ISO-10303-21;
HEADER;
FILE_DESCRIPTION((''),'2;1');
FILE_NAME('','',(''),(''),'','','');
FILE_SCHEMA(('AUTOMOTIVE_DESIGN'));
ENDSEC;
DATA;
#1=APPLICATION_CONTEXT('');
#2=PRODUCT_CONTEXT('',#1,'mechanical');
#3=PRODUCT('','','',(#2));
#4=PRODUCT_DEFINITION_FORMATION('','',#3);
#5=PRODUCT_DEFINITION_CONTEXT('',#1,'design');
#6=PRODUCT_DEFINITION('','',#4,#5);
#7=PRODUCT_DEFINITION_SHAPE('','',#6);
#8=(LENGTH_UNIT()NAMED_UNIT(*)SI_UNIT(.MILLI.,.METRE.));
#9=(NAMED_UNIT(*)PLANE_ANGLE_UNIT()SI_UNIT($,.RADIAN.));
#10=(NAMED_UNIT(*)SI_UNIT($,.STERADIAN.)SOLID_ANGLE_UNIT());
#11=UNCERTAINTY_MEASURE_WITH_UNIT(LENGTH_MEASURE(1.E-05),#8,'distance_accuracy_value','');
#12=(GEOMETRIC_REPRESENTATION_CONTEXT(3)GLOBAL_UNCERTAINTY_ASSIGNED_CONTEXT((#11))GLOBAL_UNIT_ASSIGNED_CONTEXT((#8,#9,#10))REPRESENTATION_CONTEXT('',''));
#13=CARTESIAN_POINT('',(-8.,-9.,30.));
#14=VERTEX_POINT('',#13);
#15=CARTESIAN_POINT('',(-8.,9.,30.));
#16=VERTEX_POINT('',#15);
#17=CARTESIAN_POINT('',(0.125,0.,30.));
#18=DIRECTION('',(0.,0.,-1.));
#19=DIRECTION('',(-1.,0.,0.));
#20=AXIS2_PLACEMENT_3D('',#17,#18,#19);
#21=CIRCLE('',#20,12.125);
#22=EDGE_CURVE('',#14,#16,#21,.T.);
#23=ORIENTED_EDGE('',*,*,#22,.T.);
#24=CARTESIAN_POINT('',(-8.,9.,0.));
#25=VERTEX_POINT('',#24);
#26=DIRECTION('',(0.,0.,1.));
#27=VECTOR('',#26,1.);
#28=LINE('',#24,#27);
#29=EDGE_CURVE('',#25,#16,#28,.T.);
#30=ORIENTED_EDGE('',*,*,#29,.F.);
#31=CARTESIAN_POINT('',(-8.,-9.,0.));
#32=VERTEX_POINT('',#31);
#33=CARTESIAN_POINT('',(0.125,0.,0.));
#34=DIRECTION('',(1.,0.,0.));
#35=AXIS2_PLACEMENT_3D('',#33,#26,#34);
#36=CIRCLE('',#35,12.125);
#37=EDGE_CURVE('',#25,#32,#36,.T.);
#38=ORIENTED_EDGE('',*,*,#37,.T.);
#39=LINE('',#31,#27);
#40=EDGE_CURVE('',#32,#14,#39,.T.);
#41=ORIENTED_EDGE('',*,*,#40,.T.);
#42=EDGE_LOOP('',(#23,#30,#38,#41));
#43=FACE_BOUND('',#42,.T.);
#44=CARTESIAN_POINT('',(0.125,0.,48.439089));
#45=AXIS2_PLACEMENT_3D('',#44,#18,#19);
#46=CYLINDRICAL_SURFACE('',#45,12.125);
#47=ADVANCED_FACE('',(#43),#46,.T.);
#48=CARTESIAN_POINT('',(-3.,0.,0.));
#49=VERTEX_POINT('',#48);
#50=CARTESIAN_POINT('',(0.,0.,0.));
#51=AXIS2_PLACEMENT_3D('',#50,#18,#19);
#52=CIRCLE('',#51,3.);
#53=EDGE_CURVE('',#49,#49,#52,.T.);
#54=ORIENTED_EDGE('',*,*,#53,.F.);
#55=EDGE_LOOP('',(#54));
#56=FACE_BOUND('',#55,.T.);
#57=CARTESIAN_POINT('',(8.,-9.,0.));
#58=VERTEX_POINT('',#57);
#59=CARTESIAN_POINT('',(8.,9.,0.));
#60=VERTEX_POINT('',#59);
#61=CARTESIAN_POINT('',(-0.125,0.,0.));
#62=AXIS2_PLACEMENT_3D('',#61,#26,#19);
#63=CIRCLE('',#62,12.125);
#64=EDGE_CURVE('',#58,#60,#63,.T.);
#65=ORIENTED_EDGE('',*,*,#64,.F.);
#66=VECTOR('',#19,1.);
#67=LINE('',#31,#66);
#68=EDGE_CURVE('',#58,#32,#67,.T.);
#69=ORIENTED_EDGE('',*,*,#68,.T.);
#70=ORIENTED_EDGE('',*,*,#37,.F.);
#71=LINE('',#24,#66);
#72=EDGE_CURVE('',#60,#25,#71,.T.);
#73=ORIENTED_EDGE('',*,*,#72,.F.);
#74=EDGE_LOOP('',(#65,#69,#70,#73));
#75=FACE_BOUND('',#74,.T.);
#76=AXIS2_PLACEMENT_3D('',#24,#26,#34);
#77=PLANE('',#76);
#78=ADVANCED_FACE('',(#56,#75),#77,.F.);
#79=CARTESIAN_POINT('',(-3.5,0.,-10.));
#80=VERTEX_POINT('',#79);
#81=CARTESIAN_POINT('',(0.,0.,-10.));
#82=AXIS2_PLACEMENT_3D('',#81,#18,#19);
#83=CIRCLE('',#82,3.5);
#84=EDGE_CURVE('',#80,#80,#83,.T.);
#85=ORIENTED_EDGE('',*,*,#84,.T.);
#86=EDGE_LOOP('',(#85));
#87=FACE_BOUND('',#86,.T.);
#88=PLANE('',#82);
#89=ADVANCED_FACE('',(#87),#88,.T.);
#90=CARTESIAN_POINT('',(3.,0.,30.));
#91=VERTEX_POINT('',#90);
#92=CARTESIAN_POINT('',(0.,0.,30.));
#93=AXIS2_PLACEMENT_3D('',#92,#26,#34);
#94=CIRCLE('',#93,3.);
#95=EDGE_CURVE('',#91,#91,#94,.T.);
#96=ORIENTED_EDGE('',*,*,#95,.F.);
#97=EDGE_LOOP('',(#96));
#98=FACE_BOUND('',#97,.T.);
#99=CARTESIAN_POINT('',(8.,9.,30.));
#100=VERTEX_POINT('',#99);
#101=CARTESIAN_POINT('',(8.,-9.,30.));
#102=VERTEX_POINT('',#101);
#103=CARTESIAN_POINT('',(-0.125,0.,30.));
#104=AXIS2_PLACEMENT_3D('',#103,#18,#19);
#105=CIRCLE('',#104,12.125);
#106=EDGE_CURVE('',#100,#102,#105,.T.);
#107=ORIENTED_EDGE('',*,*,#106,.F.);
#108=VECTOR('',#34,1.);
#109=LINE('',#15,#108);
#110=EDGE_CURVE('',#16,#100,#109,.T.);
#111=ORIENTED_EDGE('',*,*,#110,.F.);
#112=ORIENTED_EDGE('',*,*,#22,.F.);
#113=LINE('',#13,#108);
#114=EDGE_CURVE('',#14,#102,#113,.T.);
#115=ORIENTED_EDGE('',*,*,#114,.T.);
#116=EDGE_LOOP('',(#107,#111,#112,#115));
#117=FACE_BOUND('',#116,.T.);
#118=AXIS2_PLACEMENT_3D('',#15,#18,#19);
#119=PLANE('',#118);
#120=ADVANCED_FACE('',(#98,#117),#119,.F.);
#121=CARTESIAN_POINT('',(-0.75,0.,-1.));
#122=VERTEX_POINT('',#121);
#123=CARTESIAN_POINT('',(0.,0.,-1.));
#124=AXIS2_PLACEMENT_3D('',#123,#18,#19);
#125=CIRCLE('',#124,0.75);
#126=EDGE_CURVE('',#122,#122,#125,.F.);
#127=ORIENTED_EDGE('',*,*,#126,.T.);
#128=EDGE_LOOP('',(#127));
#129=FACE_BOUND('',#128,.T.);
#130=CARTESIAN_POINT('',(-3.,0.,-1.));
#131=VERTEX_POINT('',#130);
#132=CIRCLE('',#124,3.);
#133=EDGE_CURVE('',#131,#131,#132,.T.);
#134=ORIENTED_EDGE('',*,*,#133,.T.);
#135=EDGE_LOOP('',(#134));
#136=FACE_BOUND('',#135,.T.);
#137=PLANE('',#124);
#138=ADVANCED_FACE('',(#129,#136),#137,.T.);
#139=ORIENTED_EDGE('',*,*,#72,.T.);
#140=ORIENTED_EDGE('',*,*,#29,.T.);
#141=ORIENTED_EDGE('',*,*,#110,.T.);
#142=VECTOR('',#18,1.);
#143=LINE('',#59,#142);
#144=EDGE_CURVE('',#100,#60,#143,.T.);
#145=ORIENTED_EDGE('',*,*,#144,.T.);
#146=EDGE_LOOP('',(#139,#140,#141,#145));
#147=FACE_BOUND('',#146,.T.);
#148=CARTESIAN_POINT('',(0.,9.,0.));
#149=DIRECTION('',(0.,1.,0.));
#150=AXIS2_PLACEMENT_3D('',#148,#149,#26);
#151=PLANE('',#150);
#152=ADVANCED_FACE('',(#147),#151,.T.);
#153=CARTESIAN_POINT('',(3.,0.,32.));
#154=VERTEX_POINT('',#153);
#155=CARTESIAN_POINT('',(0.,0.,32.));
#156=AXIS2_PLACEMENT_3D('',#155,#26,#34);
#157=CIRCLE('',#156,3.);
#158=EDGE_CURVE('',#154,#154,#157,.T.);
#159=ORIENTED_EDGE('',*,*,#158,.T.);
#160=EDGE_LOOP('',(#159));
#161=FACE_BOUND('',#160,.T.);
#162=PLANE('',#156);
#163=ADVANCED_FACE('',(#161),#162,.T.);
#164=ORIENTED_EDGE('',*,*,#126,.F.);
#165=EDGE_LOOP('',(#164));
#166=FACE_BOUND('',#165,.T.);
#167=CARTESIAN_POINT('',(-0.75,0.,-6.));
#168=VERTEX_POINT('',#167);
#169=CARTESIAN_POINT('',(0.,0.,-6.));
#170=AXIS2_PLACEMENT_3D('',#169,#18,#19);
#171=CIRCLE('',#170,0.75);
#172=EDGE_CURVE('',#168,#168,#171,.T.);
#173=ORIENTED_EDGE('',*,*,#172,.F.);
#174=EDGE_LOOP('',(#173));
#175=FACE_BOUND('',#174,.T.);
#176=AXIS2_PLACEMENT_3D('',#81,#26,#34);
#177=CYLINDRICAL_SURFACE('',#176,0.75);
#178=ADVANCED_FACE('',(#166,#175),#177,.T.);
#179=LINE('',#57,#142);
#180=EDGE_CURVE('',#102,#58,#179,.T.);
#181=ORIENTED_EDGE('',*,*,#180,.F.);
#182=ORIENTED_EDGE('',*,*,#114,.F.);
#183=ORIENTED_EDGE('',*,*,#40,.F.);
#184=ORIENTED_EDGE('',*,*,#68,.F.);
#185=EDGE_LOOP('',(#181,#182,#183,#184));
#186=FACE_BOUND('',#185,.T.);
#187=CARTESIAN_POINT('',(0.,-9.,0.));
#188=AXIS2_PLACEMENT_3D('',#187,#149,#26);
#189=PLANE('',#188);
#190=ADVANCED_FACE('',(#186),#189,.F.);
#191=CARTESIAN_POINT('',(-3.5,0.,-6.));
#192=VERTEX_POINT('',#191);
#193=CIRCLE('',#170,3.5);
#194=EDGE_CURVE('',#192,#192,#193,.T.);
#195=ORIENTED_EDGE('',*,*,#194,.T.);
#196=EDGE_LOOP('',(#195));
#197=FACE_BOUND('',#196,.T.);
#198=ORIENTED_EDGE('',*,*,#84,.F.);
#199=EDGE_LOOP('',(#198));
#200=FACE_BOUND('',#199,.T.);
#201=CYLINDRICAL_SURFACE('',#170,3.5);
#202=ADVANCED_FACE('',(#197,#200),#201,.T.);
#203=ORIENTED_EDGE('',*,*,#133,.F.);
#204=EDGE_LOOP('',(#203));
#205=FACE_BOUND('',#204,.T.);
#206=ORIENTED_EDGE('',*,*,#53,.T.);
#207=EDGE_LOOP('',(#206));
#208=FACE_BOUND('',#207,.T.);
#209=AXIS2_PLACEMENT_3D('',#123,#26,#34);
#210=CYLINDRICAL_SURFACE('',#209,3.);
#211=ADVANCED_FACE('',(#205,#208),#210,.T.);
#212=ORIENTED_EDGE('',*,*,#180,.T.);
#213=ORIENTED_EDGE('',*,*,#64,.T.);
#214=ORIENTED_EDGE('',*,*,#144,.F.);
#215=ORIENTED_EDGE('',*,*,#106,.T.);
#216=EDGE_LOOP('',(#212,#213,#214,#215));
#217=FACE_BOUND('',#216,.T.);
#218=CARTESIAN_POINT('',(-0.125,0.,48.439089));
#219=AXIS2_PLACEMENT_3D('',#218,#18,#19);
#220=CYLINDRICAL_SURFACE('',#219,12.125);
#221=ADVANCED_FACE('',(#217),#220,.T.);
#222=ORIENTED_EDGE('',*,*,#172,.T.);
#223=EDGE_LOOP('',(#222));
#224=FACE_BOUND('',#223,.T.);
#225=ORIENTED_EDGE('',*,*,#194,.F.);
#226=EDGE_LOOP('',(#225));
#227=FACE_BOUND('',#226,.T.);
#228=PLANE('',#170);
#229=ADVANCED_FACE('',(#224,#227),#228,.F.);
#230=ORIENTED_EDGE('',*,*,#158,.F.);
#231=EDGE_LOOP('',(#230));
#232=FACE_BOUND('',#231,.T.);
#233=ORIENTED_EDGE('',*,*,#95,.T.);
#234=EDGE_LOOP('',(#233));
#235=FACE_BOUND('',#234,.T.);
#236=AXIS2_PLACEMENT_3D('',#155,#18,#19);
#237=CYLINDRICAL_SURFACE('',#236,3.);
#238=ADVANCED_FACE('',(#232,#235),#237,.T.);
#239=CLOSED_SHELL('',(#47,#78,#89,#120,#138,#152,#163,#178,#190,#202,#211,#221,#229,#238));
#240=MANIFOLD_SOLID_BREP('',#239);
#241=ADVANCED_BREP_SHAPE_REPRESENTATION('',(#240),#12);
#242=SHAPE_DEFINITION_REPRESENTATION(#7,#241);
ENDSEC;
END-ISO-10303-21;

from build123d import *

# Parameters (mm, degrees)
SKETCH1_W           = 16
SKETCH1_H           = 30
BOSS_EXTRUDE1_DEPTH = 9
SKETCH2_R           = 3
BOSS_EXTRUDE2_DEPTH = 1
SKETCH3_R           = 3
BOSS_EXTRUDE3_DEPTH = 2
BOSS_EXTRUDE4_DEPTH = 30
SKETCH6_R           = 0.75
BOSS_EXTRUDE5_DEPTH = 10
SKETCH7_R           = 3.5
BOSS_EXTRUDE6_DEPTH = 4


with BuildPart() as part:
    # Sketch1 → Boss-Extrude1 (new body, symmetric)
    with BuildSketch(Plane(origin=(0, 0, 0), x_dir=(1, 0, 0), z_dir=(0, 1, 0))):
        with Locations((0, -15)):
            Rectangle(SKETCH1_W, SKETCH1_H)
    extrude(amount=BOSS_EXTRUDE1_DEPTH, both=True)

    # Sketch2 → Boss-Extrude2 (add)
    with BuildSketch(Plane(origin=(0, 0, 0), x_dir=(-1, 0, 0), z_dir=(0, 0, -1))):
        Circle(SKETCH2_R)
    extrude(amount=BOSS_EXTRUDE2_DEPTH)

    # Sketch3 → Boss-Extrude3 (add)
    with BuildSketch(Plane.XY.offset(30)):
        Circle(SKETCH3_R)
    extrude(amount=BOSS_EXTRUDE3_DEPTH)

    # Sketch5 → Boss-Extrude4 (add)
    with BuildSketch(Plane.XY):
        with BuildLine():
            Line((8, 9), (8, -9))
            ThreePointArc((8, -9), (12, 0), (8, 9))
        make_face()
        with BuildLine():
            Line((-8, 9), (-8, -9))
            ThreePointArc((-8, -9), (-12, 0), (-8, 9))
        make_face()
    extrude(amount=BOSS_EXTRUDE4_DEPTH)

    # Sketch6 → Boss-Extrude5 (add)
    with BuildSketch(Plane(origin=(0, 0, 0), x_dir=(-1, 0, 0), z_dir=(0, 0, -1))):
        Circle(SKETCH6_R)
    extrude(amount=BOSS_EXTRUDE5_DEPTH)

    # Sketch7 → Boss-Extrude6 (add)
    with BuildSketch(Plane(origin=(0, 0, -10), x_dir=(-1, 0, 0), z_dir=(0, 0, -1))):
        Circle(SKETCH7_R)
    extrude(amount=-BOSS_EXTRUDE6_DEPTH)


solid = part.part
